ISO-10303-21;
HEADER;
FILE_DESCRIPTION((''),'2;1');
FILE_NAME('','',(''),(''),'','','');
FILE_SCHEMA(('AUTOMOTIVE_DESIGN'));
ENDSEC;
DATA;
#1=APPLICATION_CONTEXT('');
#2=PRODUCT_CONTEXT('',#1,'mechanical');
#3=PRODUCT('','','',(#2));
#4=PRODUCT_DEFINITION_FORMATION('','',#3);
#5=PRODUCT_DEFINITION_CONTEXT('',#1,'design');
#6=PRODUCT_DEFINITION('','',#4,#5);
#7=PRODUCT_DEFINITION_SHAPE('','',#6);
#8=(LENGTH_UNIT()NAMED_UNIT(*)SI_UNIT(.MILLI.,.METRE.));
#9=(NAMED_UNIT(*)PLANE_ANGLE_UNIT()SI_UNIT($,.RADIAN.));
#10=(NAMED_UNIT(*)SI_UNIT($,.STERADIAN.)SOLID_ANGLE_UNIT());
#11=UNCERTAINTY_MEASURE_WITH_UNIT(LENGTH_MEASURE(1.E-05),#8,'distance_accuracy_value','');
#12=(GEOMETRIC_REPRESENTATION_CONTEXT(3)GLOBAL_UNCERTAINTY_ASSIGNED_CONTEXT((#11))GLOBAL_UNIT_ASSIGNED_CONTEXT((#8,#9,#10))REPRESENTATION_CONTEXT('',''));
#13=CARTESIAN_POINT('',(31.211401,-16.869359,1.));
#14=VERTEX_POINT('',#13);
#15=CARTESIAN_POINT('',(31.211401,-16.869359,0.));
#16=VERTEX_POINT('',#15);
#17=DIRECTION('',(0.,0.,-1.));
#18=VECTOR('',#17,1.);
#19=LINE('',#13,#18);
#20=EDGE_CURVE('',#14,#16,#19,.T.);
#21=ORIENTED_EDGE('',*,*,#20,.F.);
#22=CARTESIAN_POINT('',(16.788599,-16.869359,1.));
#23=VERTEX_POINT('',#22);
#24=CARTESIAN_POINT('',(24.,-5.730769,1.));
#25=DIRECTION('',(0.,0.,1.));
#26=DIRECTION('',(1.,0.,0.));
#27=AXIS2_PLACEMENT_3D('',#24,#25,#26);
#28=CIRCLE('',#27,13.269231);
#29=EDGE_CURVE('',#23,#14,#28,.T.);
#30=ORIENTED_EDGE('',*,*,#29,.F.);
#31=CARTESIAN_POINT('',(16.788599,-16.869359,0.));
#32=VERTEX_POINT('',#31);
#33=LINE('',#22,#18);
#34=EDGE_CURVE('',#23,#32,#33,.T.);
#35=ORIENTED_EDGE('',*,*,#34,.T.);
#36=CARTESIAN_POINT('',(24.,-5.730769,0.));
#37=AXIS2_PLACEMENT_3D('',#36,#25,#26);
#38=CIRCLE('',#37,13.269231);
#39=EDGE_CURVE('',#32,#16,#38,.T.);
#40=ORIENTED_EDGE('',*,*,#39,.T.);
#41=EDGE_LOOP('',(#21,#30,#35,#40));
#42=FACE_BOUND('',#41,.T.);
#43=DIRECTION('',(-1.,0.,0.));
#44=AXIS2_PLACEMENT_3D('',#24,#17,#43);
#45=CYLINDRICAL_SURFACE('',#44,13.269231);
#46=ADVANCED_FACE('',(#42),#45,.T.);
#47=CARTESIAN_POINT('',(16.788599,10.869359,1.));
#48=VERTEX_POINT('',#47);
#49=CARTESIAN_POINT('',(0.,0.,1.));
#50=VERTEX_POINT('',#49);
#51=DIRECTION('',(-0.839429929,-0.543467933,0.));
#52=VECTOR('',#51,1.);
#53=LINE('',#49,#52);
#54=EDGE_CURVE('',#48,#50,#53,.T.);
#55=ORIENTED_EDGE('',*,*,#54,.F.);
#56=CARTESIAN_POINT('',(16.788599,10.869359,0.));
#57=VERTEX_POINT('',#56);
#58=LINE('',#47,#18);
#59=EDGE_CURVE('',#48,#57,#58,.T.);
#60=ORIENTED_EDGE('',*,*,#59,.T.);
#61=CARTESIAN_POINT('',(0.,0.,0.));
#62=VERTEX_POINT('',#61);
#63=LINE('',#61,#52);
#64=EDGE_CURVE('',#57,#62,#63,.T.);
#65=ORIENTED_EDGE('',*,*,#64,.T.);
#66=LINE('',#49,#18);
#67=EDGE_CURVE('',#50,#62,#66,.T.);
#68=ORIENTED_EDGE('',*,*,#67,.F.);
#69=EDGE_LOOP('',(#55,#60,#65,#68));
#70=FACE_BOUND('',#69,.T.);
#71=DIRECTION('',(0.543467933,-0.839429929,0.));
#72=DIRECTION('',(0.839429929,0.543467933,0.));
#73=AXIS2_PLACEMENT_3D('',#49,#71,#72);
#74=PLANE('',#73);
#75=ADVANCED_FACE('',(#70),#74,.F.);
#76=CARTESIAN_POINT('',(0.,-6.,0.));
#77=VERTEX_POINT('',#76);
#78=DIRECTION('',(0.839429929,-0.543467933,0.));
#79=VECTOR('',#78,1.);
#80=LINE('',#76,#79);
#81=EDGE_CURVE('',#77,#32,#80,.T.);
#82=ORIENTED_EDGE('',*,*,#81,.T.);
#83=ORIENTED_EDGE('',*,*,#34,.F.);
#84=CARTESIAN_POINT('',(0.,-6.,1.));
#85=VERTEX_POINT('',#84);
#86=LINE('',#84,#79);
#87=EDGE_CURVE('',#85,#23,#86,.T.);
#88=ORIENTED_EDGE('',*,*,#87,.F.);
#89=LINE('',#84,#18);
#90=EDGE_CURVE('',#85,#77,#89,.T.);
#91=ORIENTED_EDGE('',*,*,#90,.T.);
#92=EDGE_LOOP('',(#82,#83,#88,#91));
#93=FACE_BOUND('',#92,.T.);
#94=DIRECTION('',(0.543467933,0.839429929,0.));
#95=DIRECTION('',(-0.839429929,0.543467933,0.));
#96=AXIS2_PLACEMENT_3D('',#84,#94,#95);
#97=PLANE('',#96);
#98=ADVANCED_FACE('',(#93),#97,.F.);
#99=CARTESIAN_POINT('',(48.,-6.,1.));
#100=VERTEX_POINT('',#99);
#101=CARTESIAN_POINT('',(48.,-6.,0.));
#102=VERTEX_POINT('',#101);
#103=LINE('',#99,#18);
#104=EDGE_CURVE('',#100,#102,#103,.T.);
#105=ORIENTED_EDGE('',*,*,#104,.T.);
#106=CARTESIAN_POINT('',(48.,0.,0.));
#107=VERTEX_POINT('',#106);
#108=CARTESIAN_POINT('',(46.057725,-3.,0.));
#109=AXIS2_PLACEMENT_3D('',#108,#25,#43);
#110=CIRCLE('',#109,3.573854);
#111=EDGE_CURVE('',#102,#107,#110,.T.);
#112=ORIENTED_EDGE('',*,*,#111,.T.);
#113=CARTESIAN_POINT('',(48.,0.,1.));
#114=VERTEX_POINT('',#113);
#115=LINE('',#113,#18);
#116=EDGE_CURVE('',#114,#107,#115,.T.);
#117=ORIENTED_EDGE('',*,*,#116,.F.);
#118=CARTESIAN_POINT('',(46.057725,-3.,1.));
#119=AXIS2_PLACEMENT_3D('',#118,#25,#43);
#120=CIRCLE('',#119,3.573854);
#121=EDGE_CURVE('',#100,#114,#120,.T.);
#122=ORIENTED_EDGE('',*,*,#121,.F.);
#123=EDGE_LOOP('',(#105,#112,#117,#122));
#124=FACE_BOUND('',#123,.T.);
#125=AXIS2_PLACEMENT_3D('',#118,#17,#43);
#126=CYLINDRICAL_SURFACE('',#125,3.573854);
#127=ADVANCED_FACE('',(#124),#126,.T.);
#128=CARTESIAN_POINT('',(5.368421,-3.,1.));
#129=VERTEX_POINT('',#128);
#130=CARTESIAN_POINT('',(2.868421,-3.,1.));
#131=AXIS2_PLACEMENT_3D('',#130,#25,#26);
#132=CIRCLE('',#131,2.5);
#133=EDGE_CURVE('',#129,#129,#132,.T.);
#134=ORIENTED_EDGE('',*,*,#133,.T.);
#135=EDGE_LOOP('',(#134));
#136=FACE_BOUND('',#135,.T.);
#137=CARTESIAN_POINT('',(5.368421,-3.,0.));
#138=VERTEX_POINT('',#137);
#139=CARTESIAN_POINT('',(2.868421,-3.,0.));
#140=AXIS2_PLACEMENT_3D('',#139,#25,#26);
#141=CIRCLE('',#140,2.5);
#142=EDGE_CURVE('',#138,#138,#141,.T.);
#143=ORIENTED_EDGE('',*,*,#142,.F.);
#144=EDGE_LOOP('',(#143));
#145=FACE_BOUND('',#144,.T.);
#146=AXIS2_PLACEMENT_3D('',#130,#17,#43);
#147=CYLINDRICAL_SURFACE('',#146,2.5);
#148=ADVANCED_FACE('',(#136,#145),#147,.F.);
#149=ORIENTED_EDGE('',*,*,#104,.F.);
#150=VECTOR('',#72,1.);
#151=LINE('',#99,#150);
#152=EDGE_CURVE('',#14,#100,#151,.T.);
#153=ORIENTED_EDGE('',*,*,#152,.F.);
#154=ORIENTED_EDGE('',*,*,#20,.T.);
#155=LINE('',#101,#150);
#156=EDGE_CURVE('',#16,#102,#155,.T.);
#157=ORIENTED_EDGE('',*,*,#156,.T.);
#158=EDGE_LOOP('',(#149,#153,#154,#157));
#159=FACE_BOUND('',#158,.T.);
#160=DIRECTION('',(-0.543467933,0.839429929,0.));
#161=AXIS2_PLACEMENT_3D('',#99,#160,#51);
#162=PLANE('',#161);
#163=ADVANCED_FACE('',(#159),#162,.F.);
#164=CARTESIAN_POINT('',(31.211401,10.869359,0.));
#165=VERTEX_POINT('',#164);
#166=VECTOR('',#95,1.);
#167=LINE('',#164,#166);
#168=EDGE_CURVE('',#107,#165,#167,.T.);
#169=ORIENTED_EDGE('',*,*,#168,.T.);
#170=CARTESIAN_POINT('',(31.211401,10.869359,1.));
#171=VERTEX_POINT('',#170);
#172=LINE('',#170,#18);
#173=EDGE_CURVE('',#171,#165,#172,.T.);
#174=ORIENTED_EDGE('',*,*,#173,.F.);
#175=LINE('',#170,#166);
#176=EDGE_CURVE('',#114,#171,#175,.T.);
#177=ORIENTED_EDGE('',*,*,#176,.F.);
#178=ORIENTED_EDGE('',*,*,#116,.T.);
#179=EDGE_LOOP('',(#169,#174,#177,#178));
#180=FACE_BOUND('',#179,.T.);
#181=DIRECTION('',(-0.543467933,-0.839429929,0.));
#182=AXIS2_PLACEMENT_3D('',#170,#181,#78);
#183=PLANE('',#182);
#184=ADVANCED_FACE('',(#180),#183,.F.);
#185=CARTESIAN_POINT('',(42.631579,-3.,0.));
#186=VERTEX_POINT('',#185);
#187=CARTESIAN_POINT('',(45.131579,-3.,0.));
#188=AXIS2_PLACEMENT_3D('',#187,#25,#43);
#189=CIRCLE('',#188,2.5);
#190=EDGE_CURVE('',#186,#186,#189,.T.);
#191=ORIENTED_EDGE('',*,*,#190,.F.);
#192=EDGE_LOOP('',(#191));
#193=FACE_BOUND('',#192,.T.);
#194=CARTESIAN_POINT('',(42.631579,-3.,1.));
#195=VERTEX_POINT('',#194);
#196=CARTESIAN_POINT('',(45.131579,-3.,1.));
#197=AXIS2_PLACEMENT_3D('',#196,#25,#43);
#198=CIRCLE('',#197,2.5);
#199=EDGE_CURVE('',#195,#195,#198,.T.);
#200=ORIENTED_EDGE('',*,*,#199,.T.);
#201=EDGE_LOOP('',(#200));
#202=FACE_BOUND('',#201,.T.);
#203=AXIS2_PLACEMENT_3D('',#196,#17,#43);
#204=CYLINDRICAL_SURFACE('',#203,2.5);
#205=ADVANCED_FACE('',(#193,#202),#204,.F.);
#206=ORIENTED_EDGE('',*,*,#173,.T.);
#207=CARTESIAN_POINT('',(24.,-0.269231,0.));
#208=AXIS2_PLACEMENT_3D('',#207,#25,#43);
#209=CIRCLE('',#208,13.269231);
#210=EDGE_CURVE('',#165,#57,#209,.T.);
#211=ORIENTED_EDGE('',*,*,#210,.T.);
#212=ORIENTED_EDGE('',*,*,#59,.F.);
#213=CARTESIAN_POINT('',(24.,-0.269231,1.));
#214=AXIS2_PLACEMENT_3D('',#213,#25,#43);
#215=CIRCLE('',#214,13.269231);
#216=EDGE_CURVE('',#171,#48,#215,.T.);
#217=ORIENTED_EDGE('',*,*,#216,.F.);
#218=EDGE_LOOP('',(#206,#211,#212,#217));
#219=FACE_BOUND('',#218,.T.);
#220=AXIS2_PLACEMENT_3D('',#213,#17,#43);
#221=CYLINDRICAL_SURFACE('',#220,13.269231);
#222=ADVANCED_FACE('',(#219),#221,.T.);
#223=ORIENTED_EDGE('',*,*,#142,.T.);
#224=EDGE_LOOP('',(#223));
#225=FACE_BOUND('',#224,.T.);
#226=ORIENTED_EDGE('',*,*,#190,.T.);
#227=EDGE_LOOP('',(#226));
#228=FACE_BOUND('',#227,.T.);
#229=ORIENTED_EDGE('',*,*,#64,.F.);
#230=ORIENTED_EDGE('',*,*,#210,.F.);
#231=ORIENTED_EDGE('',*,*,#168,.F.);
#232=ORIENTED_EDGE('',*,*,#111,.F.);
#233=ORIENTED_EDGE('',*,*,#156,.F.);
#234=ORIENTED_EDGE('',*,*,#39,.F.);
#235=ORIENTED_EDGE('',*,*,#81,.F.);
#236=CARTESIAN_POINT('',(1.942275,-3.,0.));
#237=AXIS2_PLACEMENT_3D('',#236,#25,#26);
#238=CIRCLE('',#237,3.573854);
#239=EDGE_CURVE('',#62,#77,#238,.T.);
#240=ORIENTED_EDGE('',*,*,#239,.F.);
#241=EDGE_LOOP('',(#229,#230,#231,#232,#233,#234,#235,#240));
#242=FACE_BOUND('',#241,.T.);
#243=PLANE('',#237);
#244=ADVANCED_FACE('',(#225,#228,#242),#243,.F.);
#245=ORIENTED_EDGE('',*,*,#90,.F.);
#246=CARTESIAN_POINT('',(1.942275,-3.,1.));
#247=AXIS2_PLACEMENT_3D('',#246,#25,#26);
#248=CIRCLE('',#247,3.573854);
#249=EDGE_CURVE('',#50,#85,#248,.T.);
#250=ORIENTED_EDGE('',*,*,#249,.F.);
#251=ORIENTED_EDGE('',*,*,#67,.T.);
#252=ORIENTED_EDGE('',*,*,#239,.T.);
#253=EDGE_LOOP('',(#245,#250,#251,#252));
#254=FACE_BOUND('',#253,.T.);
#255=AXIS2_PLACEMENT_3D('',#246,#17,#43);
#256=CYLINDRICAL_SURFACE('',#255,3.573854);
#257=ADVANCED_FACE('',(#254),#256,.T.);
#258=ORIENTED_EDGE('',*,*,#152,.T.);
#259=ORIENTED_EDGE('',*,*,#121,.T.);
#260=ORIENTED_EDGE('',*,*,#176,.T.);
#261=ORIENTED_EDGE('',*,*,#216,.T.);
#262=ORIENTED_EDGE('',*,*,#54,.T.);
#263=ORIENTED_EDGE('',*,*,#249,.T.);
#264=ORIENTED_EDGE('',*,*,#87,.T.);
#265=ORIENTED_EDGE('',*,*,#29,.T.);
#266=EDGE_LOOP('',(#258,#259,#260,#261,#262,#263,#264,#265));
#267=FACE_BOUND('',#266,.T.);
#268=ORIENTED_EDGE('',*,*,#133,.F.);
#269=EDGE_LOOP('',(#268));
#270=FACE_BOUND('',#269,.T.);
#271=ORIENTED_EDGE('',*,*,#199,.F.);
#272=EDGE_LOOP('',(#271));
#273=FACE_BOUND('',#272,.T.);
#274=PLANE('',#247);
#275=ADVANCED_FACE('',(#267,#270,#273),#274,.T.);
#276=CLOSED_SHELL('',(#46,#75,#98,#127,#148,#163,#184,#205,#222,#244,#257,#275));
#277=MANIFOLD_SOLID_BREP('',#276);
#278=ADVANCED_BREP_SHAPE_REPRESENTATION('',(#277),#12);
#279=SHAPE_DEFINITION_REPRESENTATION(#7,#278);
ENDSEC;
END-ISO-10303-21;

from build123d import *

# Parameters (mm, degrees)
ESQUISSE1_R        = 2.5
BOSS_EXTRU_1_DEPTH = 1


with BuildPart() as part:
    # Esquisse1 → Boss.-Extru.1 (new body)
    with BuildSketch(Plane.XY):
        with BuildLine():
            Line((0, 0), (16.788598575, 10.86935867))
            ThreePointArc((16.788598575, 10.86935867), (24, 13), (31.211401425, 10.86935867))
            Line((31.211401425, 10.86935867), (48, 0))
            ThreePointArc((48, 0), (49.631578947, -3), (48, -6))
            Line((48, -6), (31.211401425, -16.86935867))
            ThreePointArc((31.211401425, -16.86935867), (24, -19), (16.788598575, -16.86935867))
            Line((16.788598575, -16.86935867), (0, -6))
            ThreePointArc((0, -6), (-1.631578947, -3), (0, 0))
        make_face()
        with Locations((2.868421053, -3)):
            Circle(ESQUISSE1_R, mode=Mode.SUBTRACT)
        with Locations(Location((45.131578947, -3, 0), (0, 0, 180))):
            Circle(ESQUISSE1_R, mode=Mode.SUBTRACT)
    extrude(amount=BOSS_EXTRU_1_DEPTH)


solid = part.part
